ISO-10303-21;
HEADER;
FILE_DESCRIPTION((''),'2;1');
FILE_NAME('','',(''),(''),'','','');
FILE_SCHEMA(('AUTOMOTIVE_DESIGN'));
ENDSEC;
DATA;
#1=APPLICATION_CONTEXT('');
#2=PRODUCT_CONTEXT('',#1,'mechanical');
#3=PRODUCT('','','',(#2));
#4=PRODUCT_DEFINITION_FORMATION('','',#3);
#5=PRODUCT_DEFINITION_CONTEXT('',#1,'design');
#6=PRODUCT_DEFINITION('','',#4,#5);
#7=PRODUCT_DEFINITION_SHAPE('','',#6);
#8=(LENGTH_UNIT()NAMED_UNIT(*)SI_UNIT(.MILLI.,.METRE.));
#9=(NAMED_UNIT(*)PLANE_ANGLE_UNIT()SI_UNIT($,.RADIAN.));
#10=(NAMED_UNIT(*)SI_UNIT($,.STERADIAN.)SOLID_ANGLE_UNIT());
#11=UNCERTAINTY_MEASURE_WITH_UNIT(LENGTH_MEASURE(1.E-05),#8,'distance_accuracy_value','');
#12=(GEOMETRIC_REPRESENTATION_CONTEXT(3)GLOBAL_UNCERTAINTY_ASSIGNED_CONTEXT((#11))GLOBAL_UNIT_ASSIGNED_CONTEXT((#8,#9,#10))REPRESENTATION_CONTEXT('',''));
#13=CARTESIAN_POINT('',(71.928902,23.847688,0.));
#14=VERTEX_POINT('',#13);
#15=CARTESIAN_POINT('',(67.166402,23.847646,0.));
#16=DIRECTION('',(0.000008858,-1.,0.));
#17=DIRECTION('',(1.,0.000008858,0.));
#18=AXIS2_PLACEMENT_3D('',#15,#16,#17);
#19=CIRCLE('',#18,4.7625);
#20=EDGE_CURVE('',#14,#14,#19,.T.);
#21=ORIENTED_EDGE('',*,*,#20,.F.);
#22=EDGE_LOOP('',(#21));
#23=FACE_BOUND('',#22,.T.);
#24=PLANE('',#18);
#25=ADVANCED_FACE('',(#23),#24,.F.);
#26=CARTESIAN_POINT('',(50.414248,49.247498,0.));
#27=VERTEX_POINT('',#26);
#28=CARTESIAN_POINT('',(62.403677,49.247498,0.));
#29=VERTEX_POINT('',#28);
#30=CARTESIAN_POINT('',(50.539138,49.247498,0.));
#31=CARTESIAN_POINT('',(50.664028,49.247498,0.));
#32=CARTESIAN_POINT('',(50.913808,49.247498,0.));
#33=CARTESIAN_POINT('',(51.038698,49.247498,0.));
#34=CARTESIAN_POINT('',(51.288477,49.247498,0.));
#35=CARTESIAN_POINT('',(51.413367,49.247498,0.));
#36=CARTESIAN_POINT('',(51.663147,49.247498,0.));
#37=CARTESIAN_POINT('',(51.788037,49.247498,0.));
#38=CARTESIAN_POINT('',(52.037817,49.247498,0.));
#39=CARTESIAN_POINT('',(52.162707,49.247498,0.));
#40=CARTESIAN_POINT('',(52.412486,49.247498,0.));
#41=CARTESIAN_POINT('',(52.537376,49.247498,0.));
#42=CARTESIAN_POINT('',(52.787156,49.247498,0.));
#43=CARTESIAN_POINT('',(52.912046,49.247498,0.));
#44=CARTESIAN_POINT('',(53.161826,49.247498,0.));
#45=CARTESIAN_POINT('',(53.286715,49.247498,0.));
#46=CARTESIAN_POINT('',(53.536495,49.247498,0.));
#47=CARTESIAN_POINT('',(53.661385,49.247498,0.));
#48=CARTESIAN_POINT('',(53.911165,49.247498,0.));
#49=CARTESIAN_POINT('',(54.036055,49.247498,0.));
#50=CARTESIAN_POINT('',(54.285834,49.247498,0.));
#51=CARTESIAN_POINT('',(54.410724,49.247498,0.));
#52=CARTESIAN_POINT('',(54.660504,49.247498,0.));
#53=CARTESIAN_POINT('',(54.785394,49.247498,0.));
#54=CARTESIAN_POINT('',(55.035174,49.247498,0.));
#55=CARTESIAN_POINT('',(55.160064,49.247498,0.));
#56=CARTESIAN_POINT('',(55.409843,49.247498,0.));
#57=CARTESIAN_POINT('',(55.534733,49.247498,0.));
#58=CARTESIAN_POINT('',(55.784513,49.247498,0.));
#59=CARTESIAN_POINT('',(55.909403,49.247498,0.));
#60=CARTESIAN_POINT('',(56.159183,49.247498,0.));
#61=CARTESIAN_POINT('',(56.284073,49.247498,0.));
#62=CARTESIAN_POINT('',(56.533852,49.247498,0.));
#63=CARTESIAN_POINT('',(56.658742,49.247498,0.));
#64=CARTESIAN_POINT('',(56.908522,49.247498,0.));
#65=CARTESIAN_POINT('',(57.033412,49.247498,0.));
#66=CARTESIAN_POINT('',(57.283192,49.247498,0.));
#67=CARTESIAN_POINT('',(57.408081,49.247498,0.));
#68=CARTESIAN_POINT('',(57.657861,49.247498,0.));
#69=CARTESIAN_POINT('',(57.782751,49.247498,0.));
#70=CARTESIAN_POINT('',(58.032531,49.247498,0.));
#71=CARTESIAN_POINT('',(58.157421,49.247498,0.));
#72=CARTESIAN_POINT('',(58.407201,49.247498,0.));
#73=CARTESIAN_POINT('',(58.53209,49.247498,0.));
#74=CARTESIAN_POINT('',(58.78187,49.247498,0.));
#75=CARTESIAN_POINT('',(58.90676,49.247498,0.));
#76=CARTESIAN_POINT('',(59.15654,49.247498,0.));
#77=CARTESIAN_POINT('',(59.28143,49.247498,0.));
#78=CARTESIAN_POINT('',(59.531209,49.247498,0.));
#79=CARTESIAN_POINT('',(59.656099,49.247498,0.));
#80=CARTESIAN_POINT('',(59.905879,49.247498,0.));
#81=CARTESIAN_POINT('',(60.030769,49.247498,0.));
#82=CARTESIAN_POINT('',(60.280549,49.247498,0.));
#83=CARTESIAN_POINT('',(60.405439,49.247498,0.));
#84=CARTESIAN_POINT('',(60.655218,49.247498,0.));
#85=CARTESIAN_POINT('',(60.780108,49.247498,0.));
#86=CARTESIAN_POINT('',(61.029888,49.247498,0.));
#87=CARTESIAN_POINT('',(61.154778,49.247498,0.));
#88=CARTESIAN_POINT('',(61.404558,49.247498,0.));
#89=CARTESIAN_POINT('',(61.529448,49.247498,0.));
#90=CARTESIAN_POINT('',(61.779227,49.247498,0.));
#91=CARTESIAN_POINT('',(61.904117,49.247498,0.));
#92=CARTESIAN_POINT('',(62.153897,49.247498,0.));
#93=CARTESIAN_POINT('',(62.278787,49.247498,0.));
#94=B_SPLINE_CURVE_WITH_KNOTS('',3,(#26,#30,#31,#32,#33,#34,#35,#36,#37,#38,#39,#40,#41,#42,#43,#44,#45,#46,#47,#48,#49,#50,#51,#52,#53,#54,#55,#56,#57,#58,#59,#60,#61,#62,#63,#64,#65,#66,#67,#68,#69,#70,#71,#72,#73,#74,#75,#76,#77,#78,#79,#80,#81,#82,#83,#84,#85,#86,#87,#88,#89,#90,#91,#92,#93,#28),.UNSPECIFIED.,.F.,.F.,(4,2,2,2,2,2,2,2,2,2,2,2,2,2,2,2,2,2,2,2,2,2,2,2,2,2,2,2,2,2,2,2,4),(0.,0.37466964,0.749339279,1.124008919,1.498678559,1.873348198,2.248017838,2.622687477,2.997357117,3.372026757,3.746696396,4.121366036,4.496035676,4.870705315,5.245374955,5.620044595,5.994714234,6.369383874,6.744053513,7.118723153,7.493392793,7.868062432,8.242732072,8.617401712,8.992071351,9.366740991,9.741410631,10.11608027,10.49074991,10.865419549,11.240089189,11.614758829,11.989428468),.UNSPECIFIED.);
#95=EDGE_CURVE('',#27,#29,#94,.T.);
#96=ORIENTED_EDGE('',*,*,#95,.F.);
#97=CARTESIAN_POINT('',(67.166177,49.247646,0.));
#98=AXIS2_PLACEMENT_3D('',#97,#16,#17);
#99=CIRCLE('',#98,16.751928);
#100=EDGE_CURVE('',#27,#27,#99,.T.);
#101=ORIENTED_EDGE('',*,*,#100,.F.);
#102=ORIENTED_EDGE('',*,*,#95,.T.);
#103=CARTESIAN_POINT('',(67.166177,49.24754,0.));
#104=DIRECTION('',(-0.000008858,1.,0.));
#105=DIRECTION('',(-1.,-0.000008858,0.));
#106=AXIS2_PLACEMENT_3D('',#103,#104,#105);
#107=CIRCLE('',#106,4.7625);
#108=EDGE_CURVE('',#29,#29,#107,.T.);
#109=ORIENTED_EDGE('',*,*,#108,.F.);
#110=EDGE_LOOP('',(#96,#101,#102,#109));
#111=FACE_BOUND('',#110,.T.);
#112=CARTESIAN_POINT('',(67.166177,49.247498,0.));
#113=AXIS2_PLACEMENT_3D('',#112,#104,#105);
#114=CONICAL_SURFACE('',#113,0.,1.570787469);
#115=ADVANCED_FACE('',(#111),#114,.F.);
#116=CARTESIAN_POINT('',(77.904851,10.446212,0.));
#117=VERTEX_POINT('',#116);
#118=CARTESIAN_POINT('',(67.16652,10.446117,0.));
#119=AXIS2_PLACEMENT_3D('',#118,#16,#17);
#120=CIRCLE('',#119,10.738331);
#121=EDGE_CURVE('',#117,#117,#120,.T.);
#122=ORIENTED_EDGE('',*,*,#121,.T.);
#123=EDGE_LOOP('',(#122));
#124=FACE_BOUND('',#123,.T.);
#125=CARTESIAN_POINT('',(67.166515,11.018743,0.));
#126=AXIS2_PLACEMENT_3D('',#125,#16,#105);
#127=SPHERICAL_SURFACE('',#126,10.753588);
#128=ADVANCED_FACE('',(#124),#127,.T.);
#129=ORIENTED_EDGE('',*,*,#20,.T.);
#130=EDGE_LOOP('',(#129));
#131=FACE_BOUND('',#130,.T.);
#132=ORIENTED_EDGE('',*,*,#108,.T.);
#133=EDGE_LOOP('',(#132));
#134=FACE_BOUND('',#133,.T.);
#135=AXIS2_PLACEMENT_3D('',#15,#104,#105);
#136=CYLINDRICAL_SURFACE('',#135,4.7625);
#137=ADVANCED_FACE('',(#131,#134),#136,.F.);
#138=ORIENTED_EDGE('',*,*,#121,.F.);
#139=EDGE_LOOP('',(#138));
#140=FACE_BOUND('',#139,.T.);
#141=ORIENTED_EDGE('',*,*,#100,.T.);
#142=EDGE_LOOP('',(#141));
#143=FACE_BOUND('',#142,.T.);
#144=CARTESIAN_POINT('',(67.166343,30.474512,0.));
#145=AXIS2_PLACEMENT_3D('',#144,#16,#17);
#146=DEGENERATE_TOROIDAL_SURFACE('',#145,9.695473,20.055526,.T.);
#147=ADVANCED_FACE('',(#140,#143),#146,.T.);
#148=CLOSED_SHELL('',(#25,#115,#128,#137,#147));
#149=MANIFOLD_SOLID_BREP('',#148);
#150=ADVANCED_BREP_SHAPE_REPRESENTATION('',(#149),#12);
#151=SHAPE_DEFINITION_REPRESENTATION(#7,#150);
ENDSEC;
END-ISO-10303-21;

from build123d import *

# Parameters (mm, degrees)
CUT_EXTRUDE1_DEPTH      = 25.4
CUT_EXTRUDE1_DEPTH_BACK = 2.54
SKETCH2_R               = 4.7625


with BuildPart() as part:
    # Sketch1 → Revolve1 (revolve)
    with BuildSketch(Plane.XY):
        with BuildLine():
            Line((67.16661055, 0.265155182), (67.166176664, 49.247497553))
            Line((67.166176664, 49.247497553), (50.414248194, 49.247497553))
            ThreePointArc((50.414248194, 49.247497553), (37.651982709, 27.402644994), (56.428189658, 10.44602221))
            ThreePointArc((56.428189658, 10.44602221), (59.767872764, 3.214914554), (67.16661055, 0.265155182))
        make_face()
    revolve(axis=Axis((67.16661055, 0.265155182, 0), (-8.858023600172911e-06, 0.9999999999607677, 0)))

    # Sketch2 → Cut-Extrude1 (cut, two sides: drawn at the far end of the back side and taken through both)
    with BuildSketch(Plane(origin=(-0.000436232, 49.247050978, 0), x_dir=(-0.9999999999607678, -8.858023600354276e-06, 0), z_dir=(8.858023600354276e-06, -0.9999999999607678, 0)).offset(-CUT_EXTRUDE1_DEPTH_BACK)):
        with Locations((-67.166612896, 0)):
            Circle(SKETCH2_R)
    extrude(amount=CUT_EXTRUDE1_DEPTH + CUT_EXTRUDE1_DEPTH_BACK, mode=Mode.SUBTRACT)


solid = part.part
